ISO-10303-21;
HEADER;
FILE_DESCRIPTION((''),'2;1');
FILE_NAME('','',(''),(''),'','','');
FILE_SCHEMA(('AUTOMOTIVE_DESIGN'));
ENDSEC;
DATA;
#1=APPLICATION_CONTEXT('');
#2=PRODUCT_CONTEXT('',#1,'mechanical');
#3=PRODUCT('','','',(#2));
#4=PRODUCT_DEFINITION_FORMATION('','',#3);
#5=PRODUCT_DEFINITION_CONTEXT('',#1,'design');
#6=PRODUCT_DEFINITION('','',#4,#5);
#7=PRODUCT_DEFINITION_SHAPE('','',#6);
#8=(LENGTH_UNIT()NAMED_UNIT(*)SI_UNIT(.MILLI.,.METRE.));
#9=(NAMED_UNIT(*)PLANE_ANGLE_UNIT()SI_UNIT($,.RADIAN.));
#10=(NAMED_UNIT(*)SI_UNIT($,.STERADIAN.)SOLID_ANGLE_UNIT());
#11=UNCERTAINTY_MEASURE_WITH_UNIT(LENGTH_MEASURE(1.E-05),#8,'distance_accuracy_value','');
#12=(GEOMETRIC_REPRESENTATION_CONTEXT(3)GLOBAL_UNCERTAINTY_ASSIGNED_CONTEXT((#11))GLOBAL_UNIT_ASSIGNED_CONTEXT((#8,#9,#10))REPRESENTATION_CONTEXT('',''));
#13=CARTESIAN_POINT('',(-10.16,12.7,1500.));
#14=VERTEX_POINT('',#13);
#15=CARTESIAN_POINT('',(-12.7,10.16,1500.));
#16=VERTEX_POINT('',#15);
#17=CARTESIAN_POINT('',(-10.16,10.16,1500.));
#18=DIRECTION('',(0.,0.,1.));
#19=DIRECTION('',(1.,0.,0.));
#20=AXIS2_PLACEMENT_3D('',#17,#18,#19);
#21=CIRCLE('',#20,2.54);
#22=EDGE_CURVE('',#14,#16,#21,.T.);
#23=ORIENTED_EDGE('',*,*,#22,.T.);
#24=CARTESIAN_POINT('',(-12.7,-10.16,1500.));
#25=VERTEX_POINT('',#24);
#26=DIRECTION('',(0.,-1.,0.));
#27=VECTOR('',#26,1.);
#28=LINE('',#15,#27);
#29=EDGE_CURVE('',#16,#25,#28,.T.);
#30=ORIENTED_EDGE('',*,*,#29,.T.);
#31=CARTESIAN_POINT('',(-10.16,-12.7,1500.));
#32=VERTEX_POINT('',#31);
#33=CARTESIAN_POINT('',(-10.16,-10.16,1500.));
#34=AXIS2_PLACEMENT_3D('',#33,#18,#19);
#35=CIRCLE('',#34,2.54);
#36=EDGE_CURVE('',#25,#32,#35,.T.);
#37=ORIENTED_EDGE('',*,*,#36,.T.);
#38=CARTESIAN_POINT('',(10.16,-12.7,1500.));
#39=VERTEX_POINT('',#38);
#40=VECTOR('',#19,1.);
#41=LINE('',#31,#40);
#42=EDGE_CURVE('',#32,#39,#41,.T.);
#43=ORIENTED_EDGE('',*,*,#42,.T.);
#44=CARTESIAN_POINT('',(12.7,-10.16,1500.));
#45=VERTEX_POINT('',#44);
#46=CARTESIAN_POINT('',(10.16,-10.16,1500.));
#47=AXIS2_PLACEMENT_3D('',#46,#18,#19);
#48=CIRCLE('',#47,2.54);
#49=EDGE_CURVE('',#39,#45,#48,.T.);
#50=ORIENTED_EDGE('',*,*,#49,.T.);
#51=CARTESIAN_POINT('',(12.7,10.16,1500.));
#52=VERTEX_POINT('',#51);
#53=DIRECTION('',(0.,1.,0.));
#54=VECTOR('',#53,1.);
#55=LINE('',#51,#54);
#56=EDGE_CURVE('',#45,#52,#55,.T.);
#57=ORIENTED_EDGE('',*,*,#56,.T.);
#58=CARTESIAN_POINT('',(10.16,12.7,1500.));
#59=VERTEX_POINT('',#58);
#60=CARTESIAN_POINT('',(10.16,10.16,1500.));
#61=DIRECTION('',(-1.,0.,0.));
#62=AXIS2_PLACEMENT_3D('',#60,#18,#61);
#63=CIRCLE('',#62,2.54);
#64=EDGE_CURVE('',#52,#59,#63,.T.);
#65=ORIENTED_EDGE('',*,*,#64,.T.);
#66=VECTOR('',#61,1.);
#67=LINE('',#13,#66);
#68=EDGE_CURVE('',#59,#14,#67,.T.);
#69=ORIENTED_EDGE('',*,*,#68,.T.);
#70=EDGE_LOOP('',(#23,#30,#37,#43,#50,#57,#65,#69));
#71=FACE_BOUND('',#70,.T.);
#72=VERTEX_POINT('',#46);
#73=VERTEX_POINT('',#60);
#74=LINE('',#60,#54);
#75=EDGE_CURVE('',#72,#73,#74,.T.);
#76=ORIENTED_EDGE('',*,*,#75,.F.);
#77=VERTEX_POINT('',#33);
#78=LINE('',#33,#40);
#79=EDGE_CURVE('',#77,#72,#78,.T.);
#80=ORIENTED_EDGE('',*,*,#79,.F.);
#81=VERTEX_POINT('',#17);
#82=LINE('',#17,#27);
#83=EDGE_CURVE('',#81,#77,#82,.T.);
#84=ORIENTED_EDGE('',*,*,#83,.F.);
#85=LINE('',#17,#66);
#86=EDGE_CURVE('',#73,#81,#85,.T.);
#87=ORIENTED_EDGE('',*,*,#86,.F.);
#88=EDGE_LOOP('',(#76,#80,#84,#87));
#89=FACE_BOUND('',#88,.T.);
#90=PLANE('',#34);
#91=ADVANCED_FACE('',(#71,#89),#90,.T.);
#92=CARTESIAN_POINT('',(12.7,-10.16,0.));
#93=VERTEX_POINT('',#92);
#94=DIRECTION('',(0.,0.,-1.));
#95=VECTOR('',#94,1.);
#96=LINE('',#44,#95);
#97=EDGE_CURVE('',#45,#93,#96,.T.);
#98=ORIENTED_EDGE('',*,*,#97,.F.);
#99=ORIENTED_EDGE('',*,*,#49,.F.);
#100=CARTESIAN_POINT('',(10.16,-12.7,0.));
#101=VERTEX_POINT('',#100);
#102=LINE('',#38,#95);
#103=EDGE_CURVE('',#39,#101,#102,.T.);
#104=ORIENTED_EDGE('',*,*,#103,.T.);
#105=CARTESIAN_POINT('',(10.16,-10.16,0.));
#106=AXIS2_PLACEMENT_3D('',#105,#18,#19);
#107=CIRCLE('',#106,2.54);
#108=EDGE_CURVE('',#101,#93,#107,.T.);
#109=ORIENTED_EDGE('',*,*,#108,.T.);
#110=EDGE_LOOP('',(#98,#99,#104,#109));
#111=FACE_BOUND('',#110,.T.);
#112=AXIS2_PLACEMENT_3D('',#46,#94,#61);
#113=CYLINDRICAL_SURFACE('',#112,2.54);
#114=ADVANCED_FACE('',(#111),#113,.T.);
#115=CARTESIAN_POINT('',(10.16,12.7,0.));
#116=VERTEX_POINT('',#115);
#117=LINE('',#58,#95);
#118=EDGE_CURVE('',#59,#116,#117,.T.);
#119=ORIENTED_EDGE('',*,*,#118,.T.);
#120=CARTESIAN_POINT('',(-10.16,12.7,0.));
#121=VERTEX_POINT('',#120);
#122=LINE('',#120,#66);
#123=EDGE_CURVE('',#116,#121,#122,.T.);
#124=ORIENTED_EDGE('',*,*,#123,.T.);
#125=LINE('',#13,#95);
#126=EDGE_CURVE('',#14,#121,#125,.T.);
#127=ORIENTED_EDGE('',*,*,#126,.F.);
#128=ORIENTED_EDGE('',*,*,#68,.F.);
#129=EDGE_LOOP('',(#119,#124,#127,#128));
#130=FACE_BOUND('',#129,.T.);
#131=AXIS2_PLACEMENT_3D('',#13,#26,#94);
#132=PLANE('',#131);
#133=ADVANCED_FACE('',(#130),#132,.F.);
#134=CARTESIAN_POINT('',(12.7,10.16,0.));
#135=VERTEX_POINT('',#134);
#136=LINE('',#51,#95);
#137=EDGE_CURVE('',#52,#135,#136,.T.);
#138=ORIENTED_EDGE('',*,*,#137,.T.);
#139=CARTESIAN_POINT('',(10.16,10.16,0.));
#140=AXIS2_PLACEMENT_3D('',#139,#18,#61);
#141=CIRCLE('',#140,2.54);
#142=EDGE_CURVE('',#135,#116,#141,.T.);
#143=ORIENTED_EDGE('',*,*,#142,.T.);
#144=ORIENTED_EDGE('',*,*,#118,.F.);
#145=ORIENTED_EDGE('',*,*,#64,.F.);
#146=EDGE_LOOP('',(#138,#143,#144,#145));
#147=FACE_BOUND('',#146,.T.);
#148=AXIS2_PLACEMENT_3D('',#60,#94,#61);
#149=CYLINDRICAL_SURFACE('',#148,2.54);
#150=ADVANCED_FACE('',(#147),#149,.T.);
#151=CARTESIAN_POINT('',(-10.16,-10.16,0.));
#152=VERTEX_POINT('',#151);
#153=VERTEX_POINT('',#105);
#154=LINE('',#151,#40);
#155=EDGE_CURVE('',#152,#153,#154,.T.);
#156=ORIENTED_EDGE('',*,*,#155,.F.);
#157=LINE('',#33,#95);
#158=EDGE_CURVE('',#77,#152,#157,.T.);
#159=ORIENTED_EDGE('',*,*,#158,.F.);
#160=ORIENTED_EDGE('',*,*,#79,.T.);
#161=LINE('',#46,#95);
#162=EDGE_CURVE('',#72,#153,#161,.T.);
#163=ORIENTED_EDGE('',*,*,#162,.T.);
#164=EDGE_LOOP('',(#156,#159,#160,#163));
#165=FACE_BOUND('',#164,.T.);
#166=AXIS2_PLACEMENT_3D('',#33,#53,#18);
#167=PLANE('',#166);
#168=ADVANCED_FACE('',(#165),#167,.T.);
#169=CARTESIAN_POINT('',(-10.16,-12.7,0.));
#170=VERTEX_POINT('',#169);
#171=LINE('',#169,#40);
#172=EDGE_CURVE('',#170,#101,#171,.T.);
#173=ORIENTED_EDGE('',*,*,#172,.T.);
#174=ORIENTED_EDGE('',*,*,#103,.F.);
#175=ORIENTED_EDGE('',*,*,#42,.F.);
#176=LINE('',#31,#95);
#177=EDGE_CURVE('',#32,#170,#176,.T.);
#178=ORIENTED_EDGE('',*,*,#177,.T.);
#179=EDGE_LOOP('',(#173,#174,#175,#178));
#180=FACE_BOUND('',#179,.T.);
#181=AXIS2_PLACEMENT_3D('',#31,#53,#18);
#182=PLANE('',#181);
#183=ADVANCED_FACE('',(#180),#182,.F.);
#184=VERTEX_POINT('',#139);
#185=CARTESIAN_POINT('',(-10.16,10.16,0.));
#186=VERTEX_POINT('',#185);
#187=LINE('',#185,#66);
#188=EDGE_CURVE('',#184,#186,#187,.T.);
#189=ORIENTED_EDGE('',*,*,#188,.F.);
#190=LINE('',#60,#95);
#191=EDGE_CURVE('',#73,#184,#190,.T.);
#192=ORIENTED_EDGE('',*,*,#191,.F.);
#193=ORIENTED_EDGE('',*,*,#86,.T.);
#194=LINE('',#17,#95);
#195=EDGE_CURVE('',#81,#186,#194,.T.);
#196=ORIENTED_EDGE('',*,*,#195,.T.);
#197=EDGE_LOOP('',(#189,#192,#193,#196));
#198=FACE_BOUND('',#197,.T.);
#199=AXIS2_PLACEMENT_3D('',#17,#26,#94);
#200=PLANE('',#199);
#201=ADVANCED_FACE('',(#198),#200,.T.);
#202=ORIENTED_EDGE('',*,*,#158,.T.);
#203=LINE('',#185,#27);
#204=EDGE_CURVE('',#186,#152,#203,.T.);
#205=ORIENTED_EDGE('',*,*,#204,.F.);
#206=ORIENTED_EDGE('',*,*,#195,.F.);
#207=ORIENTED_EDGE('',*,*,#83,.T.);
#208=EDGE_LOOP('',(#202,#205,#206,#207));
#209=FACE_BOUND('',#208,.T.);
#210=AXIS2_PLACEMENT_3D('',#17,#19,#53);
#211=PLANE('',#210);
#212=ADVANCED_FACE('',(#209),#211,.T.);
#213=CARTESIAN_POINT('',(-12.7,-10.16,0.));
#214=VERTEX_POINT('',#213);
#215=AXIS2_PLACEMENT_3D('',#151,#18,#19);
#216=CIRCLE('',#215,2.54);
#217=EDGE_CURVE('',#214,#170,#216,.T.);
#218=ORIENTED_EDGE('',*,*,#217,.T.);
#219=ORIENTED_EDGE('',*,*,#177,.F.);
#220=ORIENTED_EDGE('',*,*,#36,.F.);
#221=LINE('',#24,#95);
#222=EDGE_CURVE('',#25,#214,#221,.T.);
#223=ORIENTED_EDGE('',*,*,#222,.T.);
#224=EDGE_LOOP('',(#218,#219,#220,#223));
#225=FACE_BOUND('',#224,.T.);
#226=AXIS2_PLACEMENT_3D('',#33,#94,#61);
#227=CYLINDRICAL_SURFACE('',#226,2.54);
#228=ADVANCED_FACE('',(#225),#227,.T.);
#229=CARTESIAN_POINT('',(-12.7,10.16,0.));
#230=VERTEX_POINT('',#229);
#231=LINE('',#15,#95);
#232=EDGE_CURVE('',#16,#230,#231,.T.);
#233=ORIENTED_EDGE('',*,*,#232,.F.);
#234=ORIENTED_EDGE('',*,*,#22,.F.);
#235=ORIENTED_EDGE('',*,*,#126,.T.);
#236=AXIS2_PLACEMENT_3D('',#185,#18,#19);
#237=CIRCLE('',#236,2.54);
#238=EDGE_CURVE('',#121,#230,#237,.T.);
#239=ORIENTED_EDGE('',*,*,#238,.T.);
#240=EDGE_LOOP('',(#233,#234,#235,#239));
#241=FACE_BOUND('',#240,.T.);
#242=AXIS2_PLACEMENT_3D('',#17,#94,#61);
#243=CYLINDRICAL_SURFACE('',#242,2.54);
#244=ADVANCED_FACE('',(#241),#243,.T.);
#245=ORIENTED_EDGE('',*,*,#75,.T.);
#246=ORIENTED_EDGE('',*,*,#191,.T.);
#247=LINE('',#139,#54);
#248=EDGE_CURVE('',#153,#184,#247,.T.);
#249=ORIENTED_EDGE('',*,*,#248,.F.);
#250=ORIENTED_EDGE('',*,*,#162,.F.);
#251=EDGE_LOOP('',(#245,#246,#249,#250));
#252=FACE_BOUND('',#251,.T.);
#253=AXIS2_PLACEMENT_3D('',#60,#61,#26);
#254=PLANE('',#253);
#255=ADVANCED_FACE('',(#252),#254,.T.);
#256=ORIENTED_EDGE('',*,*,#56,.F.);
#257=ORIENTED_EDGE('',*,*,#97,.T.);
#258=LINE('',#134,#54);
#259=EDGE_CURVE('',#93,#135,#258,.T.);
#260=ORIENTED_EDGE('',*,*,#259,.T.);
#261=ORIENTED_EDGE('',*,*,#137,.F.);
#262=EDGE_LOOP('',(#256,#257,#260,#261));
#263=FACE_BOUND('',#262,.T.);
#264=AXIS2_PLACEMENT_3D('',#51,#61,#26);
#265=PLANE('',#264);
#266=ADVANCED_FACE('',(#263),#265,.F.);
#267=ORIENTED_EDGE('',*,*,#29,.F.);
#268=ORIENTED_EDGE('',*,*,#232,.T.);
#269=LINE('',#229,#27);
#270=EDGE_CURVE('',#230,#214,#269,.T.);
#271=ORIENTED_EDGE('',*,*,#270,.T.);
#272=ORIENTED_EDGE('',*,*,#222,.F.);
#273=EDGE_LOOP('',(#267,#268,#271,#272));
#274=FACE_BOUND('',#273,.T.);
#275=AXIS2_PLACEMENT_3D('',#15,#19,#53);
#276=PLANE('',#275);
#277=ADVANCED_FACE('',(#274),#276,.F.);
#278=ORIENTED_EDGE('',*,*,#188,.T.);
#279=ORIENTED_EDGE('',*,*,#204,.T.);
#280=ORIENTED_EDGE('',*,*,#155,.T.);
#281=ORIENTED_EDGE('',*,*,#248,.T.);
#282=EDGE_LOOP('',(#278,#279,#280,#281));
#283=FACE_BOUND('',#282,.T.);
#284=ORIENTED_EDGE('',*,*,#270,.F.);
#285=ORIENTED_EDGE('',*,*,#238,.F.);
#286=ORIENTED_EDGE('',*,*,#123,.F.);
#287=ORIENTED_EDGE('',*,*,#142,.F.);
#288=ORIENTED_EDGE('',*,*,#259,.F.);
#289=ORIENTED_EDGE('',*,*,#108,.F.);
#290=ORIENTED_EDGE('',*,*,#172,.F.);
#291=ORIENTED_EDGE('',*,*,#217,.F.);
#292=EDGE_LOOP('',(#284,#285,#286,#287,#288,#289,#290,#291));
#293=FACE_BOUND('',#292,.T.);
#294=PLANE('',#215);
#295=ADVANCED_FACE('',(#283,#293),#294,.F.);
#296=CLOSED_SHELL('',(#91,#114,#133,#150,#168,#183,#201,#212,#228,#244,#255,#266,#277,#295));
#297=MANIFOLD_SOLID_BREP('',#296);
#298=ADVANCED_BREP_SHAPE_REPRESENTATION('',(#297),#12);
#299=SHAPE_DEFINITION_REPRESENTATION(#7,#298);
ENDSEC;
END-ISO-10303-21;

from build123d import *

# Parameters (mm, degrees)
SKETCH1_W           = 20.32
SKETCH1_H           = 20.32
BOSS_EXTRUDE1_DEPTH = 1500


with BuildPart() as part:
    # Sketch1 → Boss-Extrude1 (new body)
    with BuildSketch(Plane.XY):
        with BuildLine():
            Line((-10.16, 12.7), (10.16, 12.7))
            ThreePointArc((10.16, 12.7), (11.956051224, 11.956051224), (12.7, 10.16))
            Line((12.7, 10.16), (12.7, -10.16))
            ThreePointArc((12.7, -10.16), (11.956051224, -11.956051224), (10.16, -12.7))
            Line((10.16, -12.7), (-10.16, -12.7))
            ThreePointArc((-10.16, -12.7), (-11.956051224, -11.956051224), (-12.7, -10.16))
            Line((-12.7, -10.16), (-12.7, 10.16))
            ThreePointArc((-12.7, 10.16), (-11.956051224, 11.956051224), (-10.16, 12.7))
        make_face()
        Rectangle(SKETCH1_W, SKETCH1_H, mode=Mode.SUBTRACT)
    extrude(amount=BOSS_EXTRUDE1_DEPTH)


solid = part.part
